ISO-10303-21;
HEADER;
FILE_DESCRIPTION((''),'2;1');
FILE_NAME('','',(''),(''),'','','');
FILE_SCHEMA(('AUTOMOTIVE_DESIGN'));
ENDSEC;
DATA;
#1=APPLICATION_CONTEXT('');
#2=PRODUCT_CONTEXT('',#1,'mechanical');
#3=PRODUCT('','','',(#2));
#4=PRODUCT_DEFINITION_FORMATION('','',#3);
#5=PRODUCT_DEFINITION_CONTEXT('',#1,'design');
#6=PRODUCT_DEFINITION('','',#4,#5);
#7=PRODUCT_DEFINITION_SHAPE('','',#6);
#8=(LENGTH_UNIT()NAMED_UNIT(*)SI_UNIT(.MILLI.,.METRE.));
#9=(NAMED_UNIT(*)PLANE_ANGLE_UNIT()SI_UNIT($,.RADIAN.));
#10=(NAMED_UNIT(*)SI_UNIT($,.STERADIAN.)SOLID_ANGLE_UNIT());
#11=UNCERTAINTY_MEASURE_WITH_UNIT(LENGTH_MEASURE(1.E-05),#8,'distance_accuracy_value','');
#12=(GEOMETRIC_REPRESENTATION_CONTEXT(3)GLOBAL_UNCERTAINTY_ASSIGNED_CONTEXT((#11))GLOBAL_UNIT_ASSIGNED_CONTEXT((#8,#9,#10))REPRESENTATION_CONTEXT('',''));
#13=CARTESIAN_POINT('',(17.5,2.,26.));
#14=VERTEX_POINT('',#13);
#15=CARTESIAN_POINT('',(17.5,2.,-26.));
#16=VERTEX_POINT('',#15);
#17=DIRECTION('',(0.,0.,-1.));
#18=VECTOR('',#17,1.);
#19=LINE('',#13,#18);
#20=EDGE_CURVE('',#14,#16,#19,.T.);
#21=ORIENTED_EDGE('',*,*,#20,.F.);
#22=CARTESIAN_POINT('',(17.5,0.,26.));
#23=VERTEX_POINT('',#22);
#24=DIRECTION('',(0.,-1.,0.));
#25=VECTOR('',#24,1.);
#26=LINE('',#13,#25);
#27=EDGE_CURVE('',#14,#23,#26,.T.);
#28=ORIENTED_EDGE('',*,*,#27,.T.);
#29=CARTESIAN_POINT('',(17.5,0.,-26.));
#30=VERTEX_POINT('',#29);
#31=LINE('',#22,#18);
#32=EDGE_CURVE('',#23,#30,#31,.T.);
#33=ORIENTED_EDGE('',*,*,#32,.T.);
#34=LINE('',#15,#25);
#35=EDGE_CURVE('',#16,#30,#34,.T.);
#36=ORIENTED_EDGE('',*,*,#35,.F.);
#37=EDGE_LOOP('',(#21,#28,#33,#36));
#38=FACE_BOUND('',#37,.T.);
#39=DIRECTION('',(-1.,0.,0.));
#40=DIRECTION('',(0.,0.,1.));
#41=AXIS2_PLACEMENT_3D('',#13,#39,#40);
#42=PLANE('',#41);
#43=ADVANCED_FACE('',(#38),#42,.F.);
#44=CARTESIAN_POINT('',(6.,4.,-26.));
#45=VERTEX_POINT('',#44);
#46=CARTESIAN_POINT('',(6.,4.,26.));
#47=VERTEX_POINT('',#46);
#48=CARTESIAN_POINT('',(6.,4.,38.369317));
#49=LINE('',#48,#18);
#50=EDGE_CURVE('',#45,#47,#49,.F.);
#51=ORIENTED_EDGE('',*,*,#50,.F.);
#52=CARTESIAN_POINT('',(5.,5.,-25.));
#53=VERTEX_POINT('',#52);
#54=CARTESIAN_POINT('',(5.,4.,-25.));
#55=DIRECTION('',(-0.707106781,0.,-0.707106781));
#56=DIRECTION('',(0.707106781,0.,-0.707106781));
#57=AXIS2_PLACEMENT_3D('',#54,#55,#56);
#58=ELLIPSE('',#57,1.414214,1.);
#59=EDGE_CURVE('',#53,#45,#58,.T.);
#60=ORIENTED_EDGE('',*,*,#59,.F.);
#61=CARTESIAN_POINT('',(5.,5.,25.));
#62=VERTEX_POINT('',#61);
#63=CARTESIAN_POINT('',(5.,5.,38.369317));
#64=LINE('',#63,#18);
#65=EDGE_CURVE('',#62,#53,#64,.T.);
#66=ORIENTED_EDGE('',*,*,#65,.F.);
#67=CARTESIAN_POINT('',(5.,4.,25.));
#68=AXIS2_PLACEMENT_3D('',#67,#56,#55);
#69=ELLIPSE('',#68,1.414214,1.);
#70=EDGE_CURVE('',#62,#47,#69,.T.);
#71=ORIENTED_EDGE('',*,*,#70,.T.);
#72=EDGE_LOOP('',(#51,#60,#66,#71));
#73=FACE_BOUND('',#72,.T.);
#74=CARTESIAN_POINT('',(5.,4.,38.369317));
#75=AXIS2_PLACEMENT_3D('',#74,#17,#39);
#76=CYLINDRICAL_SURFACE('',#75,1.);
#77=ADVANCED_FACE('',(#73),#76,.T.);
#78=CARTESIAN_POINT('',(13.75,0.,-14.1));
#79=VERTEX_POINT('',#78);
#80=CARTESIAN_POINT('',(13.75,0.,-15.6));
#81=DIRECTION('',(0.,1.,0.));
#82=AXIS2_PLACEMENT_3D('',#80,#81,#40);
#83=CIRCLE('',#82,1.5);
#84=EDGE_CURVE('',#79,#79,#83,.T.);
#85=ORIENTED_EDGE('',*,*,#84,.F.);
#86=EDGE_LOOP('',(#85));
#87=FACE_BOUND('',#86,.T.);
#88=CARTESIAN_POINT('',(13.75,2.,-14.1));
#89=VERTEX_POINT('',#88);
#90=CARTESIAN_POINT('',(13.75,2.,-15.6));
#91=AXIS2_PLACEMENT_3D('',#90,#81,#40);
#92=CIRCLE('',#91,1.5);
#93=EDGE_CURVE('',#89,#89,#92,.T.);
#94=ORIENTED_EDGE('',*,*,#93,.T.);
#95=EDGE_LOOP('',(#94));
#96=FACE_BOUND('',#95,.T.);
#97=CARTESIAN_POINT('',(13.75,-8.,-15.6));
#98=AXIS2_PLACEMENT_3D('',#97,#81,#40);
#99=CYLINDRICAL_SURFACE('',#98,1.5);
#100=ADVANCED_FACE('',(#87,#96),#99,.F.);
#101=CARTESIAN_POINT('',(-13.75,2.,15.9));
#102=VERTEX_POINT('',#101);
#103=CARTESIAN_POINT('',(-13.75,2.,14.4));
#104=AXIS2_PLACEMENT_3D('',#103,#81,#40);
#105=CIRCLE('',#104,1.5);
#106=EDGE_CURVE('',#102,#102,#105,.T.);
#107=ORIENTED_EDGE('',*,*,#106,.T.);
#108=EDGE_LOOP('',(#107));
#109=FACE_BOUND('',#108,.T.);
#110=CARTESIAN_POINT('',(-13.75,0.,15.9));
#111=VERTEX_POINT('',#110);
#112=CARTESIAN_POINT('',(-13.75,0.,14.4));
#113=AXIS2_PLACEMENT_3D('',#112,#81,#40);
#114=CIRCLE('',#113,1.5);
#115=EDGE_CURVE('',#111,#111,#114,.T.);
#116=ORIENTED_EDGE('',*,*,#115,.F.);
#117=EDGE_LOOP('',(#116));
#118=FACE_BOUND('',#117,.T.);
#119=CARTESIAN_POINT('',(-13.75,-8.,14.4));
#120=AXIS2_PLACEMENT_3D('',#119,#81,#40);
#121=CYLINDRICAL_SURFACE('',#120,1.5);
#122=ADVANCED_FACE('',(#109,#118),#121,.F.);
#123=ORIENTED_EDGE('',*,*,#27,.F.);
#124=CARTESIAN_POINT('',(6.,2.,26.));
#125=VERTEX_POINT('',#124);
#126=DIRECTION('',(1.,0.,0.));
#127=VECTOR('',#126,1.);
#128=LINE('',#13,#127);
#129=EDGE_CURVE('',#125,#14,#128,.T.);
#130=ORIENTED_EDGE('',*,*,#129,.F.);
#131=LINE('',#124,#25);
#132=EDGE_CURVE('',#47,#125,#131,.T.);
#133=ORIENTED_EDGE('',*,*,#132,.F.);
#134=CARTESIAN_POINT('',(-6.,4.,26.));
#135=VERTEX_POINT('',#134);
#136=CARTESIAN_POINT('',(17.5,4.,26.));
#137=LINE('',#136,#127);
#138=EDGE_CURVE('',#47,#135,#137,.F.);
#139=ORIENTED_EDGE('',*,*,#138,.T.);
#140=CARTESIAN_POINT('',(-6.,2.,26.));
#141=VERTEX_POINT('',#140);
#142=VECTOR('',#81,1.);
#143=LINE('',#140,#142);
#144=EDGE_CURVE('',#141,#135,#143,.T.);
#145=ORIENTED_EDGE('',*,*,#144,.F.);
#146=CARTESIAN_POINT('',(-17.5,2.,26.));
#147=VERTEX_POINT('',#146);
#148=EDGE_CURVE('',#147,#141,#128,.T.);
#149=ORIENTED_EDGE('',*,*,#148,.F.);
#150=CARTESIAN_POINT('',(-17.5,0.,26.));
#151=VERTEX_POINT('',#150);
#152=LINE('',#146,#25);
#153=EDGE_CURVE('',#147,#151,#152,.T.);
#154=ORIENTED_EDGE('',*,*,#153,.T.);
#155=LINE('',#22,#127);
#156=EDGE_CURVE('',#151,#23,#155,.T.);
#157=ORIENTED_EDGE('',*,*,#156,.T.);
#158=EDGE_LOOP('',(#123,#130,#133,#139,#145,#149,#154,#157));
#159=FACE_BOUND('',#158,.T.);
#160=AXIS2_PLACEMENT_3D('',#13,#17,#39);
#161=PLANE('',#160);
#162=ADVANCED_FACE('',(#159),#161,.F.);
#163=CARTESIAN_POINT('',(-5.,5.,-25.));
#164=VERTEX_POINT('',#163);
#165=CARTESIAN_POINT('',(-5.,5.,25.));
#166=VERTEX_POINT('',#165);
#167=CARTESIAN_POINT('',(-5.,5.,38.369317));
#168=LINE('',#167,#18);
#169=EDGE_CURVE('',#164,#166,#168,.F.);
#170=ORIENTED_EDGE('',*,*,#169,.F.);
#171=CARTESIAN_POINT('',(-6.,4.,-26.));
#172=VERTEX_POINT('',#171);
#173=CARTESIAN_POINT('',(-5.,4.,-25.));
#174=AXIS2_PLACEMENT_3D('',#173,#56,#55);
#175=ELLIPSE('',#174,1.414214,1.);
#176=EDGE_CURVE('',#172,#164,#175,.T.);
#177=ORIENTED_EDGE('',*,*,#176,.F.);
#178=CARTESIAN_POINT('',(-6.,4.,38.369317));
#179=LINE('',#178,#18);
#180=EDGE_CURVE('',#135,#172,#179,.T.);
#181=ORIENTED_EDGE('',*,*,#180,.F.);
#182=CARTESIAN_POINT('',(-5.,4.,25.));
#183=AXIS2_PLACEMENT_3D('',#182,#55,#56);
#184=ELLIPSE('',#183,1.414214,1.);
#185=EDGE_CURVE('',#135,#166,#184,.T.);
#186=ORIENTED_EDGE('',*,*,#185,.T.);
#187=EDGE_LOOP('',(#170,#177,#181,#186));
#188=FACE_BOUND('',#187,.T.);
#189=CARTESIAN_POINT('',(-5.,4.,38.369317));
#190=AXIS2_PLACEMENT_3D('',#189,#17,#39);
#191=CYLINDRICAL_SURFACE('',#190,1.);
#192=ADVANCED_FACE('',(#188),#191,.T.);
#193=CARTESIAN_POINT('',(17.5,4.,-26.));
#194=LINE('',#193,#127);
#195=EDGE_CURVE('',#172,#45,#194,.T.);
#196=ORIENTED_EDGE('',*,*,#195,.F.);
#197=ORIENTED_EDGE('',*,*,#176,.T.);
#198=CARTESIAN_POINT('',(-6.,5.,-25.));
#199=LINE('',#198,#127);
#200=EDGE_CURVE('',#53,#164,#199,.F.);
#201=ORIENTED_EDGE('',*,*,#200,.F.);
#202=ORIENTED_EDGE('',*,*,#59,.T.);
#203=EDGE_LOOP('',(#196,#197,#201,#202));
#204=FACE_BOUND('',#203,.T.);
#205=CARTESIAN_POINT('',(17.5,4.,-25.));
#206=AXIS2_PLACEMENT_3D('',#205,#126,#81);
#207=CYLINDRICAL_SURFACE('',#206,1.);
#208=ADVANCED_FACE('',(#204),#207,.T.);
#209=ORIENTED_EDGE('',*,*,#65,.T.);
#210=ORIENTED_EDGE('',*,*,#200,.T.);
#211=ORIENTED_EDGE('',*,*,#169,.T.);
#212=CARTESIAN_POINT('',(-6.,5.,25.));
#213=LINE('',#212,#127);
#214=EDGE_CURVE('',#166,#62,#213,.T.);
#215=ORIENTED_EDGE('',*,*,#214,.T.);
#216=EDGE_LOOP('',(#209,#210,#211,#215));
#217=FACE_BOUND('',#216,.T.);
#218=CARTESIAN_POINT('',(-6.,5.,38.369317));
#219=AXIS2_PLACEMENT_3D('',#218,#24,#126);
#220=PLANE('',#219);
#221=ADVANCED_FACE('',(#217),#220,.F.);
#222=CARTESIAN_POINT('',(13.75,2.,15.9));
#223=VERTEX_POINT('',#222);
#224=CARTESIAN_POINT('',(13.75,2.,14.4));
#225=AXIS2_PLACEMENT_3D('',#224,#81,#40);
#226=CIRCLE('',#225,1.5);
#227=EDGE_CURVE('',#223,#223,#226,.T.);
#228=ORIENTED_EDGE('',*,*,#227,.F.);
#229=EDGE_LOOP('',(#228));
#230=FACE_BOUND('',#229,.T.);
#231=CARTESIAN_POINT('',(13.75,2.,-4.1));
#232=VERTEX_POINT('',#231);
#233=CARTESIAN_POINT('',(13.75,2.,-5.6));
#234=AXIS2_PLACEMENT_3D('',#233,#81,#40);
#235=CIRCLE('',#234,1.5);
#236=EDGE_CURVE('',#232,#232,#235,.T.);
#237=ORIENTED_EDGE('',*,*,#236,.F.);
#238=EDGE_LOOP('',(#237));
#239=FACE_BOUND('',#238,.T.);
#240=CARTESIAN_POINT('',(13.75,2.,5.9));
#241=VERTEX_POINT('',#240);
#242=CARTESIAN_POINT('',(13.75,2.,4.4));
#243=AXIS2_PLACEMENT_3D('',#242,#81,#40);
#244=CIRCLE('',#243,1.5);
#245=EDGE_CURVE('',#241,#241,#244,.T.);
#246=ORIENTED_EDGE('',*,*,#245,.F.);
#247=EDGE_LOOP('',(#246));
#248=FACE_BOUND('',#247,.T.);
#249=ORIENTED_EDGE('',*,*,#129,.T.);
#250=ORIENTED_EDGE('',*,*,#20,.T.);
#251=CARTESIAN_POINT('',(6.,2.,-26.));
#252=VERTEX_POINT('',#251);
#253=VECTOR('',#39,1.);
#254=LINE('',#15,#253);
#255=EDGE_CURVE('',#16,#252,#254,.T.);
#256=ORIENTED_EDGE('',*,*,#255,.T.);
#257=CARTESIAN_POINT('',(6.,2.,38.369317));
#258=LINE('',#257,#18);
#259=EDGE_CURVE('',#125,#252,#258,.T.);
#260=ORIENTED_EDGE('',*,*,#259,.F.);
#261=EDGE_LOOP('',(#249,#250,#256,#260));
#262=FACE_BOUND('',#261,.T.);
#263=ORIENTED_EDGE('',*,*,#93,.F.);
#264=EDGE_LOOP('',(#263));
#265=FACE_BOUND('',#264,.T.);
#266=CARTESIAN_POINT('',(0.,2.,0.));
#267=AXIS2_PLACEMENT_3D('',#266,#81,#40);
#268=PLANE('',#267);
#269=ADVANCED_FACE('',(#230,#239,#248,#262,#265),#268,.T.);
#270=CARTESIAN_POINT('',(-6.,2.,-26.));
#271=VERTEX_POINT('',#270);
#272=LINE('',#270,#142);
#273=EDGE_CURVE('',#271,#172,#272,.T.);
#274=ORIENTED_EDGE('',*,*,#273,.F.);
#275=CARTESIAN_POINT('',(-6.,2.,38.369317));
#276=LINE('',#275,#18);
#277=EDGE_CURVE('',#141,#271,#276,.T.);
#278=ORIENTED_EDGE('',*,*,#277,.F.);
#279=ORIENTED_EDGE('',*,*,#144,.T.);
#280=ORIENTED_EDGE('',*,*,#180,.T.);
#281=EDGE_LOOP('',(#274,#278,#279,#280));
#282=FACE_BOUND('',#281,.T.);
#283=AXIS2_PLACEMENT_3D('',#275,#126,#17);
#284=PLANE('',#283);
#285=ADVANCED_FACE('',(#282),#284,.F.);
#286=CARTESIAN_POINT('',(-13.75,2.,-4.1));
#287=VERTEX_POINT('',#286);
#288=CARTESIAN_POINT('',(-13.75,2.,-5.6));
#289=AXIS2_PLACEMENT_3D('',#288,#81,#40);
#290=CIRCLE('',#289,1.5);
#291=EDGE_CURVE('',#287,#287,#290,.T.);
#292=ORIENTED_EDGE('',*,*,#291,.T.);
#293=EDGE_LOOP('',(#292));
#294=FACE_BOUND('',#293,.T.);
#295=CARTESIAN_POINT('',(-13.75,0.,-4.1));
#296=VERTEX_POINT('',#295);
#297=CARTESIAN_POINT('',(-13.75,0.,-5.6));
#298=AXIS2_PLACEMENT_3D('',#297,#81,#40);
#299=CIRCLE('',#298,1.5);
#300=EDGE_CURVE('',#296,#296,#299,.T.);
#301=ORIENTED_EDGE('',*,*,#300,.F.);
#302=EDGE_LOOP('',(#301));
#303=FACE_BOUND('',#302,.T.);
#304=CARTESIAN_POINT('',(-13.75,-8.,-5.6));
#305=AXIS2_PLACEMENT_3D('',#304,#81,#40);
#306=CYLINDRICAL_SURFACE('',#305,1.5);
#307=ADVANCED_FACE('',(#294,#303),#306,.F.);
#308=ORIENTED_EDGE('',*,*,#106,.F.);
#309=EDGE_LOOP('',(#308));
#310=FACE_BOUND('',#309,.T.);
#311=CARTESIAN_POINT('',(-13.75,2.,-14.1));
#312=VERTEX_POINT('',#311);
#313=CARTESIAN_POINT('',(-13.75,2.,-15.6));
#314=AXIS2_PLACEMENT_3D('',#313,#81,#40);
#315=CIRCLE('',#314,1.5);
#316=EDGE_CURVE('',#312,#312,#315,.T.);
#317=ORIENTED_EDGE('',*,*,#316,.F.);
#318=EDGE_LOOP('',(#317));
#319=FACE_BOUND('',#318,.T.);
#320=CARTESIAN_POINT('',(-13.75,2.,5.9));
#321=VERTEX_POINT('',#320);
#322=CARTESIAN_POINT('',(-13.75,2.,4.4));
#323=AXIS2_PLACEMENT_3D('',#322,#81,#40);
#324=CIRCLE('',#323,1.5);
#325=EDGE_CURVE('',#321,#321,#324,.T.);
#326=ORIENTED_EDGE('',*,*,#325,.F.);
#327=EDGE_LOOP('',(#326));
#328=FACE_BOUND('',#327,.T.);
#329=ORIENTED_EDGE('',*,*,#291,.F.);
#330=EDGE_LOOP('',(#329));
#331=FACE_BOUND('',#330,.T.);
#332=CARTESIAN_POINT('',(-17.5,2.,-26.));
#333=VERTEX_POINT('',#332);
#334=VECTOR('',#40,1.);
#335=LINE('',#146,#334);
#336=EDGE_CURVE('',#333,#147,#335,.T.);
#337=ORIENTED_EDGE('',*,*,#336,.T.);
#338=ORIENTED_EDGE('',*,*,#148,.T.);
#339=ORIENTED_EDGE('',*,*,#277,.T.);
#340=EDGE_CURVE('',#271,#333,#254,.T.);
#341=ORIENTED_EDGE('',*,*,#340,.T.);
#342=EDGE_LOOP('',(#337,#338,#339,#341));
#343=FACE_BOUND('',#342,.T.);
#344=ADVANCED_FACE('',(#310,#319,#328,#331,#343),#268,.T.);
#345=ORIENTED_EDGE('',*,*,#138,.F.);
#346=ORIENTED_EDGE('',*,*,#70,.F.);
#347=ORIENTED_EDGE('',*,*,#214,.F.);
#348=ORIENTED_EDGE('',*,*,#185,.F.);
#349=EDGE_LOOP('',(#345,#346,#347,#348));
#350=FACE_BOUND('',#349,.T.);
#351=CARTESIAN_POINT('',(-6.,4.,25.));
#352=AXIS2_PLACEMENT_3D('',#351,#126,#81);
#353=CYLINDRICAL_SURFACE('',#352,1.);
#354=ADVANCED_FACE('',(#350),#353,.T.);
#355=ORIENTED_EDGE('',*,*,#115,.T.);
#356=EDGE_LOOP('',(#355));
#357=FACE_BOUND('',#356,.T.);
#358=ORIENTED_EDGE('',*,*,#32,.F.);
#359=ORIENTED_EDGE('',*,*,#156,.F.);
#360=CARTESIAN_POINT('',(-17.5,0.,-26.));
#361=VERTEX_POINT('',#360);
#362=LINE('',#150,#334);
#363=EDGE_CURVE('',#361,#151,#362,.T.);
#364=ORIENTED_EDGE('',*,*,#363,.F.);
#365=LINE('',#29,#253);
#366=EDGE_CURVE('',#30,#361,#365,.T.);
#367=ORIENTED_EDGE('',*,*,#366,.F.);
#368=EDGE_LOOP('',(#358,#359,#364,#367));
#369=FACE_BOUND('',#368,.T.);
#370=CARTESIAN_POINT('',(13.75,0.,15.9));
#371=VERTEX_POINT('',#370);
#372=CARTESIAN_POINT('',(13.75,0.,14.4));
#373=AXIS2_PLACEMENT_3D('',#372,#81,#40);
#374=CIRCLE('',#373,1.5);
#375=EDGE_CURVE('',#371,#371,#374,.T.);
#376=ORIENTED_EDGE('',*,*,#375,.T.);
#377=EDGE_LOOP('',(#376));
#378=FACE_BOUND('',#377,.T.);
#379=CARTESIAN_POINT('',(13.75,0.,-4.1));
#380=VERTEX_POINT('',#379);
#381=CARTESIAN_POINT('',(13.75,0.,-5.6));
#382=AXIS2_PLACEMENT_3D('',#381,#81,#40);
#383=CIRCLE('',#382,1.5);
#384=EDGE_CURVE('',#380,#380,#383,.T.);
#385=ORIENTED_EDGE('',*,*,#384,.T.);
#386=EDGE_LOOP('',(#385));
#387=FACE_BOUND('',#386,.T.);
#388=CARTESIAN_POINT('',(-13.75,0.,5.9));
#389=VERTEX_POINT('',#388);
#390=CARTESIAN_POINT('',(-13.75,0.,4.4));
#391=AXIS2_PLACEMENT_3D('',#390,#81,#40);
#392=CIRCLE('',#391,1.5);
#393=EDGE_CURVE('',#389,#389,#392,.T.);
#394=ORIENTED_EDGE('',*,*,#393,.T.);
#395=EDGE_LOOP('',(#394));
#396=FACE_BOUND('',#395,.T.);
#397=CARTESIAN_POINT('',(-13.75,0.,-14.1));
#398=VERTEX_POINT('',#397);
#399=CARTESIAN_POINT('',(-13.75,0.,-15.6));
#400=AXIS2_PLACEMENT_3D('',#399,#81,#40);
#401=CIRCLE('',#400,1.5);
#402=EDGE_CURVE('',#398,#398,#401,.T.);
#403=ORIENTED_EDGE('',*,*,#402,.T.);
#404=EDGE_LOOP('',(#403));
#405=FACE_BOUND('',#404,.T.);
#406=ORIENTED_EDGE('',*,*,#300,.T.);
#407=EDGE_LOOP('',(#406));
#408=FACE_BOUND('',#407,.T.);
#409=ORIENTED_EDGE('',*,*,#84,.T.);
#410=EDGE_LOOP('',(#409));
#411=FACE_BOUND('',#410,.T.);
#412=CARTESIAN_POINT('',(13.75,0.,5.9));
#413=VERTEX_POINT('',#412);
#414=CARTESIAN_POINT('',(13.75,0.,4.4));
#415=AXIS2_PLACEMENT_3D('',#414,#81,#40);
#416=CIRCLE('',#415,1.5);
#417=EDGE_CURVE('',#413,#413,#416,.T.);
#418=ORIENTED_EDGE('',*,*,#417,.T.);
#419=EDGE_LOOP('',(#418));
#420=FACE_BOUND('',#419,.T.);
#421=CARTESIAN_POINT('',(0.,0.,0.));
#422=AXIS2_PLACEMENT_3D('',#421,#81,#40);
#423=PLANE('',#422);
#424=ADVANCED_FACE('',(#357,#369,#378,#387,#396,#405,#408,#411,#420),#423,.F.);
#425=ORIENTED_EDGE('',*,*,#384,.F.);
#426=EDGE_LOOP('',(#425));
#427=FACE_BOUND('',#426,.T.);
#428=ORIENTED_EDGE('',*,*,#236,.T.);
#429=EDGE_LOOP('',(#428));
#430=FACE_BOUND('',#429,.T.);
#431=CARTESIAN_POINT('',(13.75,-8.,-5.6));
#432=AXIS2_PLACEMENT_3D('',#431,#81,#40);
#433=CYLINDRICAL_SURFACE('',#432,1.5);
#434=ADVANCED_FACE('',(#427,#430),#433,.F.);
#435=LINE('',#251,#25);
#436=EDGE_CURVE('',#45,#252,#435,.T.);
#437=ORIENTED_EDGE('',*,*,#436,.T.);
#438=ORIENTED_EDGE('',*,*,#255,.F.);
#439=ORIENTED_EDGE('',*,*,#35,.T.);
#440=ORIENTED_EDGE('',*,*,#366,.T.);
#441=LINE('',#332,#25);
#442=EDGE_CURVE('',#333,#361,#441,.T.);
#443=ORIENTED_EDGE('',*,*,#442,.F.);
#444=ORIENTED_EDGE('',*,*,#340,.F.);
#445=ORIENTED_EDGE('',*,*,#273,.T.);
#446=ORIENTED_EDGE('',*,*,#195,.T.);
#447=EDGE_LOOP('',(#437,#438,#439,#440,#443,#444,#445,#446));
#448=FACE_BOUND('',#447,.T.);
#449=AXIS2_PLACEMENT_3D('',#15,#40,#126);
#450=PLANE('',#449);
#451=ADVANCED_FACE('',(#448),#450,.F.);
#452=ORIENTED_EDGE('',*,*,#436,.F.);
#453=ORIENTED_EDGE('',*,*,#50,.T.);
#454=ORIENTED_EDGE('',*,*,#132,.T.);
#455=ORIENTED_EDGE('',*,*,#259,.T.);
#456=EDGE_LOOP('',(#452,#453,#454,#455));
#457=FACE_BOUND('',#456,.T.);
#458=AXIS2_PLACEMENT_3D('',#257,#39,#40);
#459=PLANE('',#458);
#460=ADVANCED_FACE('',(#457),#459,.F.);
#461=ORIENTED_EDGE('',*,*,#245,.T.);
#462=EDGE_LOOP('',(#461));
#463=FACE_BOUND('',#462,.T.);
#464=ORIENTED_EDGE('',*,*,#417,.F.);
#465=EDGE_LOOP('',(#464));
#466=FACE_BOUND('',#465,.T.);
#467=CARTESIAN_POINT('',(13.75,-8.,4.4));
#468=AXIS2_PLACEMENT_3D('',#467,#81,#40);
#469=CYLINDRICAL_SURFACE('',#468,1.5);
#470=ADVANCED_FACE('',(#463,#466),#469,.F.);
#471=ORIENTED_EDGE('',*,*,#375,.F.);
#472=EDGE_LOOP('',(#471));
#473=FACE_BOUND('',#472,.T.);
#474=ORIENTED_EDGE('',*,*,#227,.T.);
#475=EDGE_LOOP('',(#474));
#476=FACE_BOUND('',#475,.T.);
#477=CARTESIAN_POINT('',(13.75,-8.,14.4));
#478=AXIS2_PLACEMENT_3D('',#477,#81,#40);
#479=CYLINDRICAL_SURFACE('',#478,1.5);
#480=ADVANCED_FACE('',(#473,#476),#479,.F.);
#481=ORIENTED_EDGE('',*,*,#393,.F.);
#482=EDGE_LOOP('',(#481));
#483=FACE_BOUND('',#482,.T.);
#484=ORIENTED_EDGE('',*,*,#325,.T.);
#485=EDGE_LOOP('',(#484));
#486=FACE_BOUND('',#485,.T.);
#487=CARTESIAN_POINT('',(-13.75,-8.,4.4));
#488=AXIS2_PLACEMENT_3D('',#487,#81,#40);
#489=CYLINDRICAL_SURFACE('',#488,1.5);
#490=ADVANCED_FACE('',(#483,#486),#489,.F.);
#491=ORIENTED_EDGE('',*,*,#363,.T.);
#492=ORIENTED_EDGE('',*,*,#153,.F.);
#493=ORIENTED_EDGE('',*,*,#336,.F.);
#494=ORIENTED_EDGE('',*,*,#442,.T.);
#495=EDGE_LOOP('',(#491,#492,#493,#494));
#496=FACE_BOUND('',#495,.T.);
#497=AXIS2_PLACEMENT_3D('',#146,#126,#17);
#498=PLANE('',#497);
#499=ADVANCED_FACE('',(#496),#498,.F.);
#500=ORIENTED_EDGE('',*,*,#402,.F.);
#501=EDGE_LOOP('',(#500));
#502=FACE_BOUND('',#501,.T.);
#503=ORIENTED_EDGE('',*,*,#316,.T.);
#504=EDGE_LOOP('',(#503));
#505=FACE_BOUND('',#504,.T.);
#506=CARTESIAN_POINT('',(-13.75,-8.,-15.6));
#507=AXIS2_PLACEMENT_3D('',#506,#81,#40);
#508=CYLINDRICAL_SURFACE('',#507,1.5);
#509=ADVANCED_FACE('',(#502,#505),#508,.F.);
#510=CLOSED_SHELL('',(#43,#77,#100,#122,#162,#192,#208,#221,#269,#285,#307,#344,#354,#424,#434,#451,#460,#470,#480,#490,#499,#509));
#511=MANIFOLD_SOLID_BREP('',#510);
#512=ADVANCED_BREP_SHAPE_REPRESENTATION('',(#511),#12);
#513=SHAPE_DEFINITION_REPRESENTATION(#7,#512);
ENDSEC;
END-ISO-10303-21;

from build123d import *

# Parameters (mm, degrees)
SKETCH_1_W                  = 35
SKETCH_1_H                  = 52
EXTRUDE_1_DEPTH             = 2
EXTRUDE_2_REACH             = 33.405
SKETCH_2_W                  = 12
SKETCH_2_H                  = 3
EXTRUDE_2_DIRECTION_2_REACH = 33.405
SKETCH_3_R                  = 1.5
CUT_EXTRUDE_1_DEPTH         = 10
FILLET_1_R                  = 1


with BuildPart() as part:
    # Эскиз1 → Бобышка-Вытянуть1 (new body)
    with BuildSketch(Plane(origin=(0, 0, 0), x_dir=(1, 0, 0), z_dir=(0, 1, 0))):
        Rectangle(SKETCH_1_W, SKETCH_1_H)
    extrude(amount=EXTRUDE_1_DEPTH)

    # Бобышка-Вытянуть2: up to this face of the body (flat: up to its plane)
    extrude_2_end = Plane(part.part.faces().sort_by_distance((0, 1, 26))[0])
    # Эскиз2 → Бобышка-Вытянуть2 (add, up to the picked face)
    with BuildSketch(Plane.XY, mode=Mode.PRIVATE) as extrude_2_sk1:
        with Locations((0, 3.5)):
            Rectangle(SKETCH_2_W, SKETCH_2_H)
    extrude_2_tool1 = split(extrude(extrude_2_sk1.sketch, amount=EXTRUDE_2_REACH, mode=Mode.PRIVATE), bisect_by=extrude_2_end, keep=Keep.BOTH, mode=Mode.PRIVATE)
    add(extrude_2_tool1.solids().sort_by(Axis((0, 3.5, 0), (0, 0, 1)))[0])

    # Бобышка-Вытянуть2 direction 2: up to this face of the body (flat: up to its plane)
    extrude_2_direction_2_end = Plane(part.part.faces().sort_by_distance((0, 1, -26))[0])
    # Эскиз2 → Бобышка-Вытянуть2 direction 2 (add, up to the picked face)
    with BuildSketch(Plane.XY, mode=Mode.PRIVATE) as extrude_2_direction_2_sk1:
        with Locations((0, 3.5)):
            Rectangle(SKETCH_2_W, SKETCH_2_H)
    extrude_2_direction_2_tool1 = split(extrude(extrude_2_direction_2_sk1.sketch, amount=-EXTRUDE_2_DIRECTION_2_REACH, mode=Mode.PRIVATE), bisect_by=extrude_2_direction_2_end, keep=Keep.BOTH, mode=Mode.PRIVATE)
    add(extrude_2_direction_2_tool1.solids().sort_by(Axis((0, 3.5, 0), (0, 0, -1)))[0])

    # Эскиз3 → Вырез-Вытянуть1 (cut)
    with BuildSketch(Plane(origin=(0, 2, 0), x_dir=(1, 0, 0), z_dir=(0, 1, 0))):
        with Locations(Location((13.75, 15.6, 0), (0, 0, 270))):
            Circle(SKETCH_3_R)
        with Locations(Location((-13.75, 15.6, 0), (0, 0, 270))):
            Circle(SKETCH_3_R)
        with Locations(Location((-13.75, 5.6, 0), (0, 0, 270))):
            Circle(SKETCH_3_R)
        with Locations(Location((13.75, 5.6, 0), (0, 0, 270))):
            Circle(SKETCH_3_R)
        with Locations(Location((-13.75, -4.4, 0), (0, 0, 270))):
            Circle(SKETCH_3_R)
        with Locations(Location((13.75, -4.4, 0), (0, 0, 270))):
            Circle(SKETCH_3_R)
        with Locations(Location((-13.75, -14.4, 0), (0, 0, 270))):
            Circle(SKETCH_3_R)
        with Locations(Location((13.75, -14.4, 0), (0, 0, 270))):
            Circle(SKETCH_3_R)
    extrude(amount=-CUT_EXTRUDE_1_DEPTH, mode=Mode.SUBTRACT)

    # Скругление1
    fillet_1_edges = [part.edges().sort_by_distance(p)[0] for p in [
        (0, 5, 26),
        (6, 5, 0),
        (-6, 5, 0),
        (0, 5, -26),
    ]]
    fillet(fillet_1_edges, radius=FILLET_1_R)


solid = part.part
